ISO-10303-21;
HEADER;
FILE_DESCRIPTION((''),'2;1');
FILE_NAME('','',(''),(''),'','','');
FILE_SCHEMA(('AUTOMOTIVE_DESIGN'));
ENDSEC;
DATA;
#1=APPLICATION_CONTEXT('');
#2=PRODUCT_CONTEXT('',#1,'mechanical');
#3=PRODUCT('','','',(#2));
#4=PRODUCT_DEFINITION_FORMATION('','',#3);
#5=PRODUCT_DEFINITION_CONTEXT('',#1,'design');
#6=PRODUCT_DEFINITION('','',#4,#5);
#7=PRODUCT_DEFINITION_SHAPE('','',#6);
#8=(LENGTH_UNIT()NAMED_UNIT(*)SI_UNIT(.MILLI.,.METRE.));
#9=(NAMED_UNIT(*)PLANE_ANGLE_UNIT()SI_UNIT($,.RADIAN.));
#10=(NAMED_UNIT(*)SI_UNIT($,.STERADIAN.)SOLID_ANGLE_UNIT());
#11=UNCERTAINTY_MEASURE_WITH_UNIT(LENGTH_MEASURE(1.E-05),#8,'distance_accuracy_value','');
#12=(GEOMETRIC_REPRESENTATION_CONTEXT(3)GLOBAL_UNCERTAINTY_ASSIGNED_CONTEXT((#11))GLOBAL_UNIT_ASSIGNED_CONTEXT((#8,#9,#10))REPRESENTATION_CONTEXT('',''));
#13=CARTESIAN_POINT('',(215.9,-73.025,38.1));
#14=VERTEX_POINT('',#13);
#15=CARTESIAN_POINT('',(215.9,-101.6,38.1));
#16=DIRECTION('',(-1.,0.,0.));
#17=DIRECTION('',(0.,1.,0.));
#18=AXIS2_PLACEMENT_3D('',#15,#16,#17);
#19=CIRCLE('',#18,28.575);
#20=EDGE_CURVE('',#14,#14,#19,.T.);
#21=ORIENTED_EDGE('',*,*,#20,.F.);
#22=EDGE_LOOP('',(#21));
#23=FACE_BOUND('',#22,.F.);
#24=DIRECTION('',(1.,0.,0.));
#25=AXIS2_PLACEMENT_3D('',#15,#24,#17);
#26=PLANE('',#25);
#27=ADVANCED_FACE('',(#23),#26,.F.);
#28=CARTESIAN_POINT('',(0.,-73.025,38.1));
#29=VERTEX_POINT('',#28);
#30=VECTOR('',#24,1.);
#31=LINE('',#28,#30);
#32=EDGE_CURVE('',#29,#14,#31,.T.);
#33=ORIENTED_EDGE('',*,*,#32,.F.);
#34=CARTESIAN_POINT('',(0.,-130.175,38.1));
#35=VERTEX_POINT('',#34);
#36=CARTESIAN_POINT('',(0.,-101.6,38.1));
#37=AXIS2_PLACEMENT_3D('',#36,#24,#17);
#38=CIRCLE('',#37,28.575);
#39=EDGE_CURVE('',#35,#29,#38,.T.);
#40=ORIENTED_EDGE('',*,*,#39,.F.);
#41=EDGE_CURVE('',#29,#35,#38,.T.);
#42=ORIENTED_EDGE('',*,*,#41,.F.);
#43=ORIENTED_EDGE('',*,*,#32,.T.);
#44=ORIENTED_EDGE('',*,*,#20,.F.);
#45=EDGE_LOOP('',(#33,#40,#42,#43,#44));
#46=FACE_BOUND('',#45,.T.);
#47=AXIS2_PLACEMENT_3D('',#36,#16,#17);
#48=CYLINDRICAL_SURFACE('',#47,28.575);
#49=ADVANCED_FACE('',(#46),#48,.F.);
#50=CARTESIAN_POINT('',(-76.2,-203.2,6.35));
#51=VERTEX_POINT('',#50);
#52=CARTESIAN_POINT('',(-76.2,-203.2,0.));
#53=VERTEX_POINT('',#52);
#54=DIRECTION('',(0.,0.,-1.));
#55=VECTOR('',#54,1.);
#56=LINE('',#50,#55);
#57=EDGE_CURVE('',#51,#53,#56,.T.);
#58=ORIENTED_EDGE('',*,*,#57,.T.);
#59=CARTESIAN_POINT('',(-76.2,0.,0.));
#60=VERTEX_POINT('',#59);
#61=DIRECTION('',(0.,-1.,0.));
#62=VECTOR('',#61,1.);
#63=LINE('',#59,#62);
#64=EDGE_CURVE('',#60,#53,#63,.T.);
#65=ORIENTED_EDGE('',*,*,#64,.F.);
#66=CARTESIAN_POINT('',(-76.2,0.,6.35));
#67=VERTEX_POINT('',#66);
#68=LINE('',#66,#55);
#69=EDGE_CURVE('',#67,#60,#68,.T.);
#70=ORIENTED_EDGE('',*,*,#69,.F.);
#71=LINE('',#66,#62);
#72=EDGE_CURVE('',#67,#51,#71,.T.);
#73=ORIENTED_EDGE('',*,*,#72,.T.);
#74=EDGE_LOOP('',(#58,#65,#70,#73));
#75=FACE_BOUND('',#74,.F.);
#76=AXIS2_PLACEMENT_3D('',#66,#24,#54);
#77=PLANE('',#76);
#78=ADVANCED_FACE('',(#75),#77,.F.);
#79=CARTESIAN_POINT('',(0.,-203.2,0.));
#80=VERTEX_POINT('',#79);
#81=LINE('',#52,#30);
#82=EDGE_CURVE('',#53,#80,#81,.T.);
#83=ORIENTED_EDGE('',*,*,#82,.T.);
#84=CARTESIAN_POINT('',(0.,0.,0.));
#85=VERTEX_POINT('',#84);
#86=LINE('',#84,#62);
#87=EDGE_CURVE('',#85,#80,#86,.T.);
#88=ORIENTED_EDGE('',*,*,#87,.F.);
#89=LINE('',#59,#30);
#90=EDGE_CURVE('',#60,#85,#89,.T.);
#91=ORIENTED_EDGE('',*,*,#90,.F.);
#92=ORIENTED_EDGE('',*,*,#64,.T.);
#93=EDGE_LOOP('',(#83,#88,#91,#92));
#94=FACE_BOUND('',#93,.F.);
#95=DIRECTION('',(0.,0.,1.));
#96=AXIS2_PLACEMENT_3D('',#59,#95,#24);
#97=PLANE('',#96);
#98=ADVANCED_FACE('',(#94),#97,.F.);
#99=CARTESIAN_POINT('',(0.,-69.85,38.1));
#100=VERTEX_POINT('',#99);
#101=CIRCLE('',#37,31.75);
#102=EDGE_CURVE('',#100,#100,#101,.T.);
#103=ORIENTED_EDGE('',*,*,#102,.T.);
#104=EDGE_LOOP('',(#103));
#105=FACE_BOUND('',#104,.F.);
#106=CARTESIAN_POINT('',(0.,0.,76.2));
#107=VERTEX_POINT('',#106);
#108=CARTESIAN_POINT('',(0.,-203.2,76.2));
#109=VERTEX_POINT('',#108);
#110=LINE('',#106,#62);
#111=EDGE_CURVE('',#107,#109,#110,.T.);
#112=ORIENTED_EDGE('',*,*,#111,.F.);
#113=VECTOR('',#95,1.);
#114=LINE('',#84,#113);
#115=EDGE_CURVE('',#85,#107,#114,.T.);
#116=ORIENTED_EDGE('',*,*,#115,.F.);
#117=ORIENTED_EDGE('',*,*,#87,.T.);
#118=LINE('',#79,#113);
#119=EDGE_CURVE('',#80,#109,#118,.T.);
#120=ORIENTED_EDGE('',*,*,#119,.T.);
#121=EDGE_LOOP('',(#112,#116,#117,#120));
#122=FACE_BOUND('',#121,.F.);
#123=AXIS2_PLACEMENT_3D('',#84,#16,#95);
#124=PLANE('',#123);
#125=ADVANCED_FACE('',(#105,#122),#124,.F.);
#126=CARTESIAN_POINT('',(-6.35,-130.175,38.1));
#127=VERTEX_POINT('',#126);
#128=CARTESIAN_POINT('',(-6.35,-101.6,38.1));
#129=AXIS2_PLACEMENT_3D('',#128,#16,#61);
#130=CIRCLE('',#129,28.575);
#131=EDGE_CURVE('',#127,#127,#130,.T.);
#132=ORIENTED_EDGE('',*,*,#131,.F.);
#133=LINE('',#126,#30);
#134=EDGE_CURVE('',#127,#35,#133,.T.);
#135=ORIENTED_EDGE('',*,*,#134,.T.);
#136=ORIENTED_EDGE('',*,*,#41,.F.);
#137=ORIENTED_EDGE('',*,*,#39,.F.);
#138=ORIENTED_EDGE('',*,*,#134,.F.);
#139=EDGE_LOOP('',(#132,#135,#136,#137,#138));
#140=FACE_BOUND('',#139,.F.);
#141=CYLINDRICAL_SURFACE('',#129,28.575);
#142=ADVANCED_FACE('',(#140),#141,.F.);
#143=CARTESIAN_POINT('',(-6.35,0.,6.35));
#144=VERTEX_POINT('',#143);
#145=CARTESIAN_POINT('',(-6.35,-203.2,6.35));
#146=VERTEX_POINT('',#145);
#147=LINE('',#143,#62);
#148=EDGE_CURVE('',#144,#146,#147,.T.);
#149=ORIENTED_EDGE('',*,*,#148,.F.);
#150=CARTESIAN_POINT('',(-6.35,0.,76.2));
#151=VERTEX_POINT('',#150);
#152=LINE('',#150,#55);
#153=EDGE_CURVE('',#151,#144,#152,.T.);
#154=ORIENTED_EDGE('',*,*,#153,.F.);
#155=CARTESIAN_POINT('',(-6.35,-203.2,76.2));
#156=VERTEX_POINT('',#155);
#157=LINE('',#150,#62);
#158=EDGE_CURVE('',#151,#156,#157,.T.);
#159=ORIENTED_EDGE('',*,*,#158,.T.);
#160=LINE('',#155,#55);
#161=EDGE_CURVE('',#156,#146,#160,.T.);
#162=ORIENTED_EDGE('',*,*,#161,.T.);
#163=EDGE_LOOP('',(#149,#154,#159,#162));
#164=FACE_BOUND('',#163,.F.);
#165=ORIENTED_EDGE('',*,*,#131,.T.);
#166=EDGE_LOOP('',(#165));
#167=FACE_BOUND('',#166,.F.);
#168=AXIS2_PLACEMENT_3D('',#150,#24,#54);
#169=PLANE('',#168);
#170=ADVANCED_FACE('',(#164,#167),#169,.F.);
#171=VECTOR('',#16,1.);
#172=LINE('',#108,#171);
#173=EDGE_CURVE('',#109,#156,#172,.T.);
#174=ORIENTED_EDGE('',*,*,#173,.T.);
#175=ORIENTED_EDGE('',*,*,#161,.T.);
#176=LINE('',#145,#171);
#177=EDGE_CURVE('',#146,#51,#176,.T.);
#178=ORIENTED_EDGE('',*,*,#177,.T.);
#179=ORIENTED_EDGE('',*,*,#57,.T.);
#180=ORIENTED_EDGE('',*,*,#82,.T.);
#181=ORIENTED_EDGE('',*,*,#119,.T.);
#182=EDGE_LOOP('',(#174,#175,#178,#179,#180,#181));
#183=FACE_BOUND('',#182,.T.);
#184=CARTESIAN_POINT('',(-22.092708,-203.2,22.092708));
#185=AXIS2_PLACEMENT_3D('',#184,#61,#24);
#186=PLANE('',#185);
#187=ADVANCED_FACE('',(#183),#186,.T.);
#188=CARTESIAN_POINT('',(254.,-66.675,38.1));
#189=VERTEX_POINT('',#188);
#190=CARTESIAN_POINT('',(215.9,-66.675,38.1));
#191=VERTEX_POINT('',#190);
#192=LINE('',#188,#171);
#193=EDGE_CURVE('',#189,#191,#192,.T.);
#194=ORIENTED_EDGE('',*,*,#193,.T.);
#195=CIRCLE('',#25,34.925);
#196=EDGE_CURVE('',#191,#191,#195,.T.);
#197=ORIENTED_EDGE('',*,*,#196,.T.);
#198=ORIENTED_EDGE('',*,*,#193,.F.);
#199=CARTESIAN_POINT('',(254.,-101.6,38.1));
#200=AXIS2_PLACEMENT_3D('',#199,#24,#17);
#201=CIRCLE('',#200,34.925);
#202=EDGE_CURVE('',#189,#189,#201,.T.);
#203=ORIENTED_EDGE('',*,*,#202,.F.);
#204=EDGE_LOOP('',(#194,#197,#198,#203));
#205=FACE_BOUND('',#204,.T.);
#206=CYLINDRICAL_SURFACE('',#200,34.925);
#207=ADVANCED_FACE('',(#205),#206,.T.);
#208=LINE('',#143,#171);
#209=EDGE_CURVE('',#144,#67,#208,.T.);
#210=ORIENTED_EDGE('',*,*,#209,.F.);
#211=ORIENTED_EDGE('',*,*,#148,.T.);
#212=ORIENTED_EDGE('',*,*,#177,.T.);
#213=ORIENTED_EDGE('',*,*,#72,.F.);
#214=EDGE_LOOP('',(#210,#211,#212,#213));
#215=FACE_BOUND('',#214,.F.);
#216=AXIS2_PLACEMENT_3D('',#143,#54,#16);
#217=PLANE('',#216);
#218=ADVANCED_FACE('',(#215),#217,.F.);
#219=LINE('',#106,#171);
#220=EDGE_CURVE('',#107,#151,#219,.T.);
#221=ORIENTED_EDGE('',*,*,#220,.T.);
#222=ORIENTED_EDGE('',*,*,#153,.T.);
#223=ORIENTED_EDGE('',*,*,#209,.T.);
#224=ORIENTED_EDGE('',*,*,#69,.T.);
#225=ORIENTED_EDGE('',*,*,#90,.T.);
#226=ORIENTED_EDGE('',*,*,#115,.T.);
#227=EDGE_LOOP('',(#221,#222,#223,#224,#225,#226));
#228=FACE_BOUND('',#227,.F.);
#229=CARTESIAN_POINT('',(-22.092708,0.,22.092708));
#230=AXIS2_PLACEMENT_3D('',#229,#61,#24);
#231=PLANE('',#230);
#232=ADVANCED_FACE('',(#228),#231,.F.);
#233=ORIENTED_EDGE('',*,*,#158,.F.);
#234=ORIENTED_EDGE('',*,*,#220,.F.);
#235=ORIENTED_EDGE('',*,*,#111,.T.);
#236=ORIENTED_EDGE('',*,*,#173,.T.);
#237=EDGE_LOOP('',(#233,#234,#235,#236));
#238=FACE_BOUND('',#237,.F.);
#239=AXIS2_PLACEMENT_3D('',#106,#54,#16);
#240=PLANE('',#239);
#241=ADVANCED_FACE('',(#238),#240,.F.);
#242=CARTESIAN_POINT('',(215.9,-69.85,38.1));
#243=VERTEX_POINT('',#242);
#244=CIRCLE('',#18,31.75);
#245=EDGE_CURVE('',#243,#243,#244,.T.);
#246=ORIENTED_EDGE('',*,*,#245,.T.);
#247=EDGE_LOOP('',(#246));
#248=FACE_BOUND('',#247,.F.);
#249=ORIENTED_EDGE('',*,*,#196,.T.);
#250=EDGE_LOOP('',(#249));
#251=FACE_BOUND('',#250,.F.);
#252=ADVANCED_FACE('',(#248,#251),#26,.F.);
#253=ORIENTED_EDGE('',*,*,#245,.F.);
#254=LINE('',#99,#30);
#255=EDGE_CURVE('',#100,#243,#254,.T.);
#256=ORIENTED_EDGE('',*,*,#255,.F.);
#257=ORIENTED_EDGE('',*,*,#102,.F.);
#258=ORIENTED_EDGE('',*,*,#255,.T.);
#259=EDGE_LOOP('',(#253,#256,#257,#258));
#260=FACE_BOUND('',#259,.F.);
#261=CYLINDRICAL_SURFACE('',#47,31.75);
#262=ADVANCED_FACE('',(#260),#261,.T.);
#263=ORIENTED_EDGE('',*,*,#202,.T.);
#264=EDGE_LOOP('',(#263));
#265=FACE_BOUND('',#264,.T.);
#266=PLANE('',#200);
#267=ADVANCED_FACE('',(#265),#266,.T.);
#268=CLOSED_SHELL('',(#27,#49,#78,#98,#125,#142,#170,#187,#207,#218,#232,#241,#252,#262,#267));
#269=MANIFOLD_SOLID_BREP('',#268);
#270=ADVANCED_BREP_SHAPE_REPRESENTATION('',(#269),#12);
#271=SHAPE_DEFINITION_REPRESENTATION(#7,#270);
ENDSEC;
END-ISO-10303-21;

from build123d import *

# Parameters (mm, degrees)
F1_DEPTH = 203.2
F2_R     = 31.75
F2_R_2   = 28.575
F3_DEPTH = 254
F4_R     = 28.575
F5_DEPTH = 6.35
F6_R     = 34.925
F7_DEPTH = 38.1


with BuildPart() as f1:
    # F0 (on Front) → F1 (new body)
    with BuildSketch(Plane.XZ):
        Polygon((-76.2, 6.35), (-76.2, 0), (0, 0), (0, 76.2), (-6.35, 76.2), (-6.35, 6.35), align=None)
    extrude(amount=F1_DEPTH)

    # F2 (on face) → F3 (join)
    with BuildSketch(Plane.YZ):
        with Locations((-101.6, 38.1)):
            Circle(F2_R)
        with Locations((-101.6, 38.1)):
            Circle(F2_R_2, mode=Mode.SUBTRACT)
    extrude(amount=F3_DEPTH)

    # F4 (on face) → F5 (cut, through all)
    with BuildSketch(Plane(origin=(-6.35, 0, 0), x_dir=(0, -1, 0), z_dir=(-1, 0, 0))):
        with Locations((101.6, 38.1)):
            Circle(F4_R)
    extrude(amount=-F5_DEPTH, mode=Mode.SUBTRACT)

    # F6 (on face) → F7 (join)
    with BuildSketch(Plane.YZ.offset(254)):
        with Locations((-101.6, 38.1)):
            Circle(F6_R)
    extrude(amount=-F7_DEPTH)


solid = f1.part
